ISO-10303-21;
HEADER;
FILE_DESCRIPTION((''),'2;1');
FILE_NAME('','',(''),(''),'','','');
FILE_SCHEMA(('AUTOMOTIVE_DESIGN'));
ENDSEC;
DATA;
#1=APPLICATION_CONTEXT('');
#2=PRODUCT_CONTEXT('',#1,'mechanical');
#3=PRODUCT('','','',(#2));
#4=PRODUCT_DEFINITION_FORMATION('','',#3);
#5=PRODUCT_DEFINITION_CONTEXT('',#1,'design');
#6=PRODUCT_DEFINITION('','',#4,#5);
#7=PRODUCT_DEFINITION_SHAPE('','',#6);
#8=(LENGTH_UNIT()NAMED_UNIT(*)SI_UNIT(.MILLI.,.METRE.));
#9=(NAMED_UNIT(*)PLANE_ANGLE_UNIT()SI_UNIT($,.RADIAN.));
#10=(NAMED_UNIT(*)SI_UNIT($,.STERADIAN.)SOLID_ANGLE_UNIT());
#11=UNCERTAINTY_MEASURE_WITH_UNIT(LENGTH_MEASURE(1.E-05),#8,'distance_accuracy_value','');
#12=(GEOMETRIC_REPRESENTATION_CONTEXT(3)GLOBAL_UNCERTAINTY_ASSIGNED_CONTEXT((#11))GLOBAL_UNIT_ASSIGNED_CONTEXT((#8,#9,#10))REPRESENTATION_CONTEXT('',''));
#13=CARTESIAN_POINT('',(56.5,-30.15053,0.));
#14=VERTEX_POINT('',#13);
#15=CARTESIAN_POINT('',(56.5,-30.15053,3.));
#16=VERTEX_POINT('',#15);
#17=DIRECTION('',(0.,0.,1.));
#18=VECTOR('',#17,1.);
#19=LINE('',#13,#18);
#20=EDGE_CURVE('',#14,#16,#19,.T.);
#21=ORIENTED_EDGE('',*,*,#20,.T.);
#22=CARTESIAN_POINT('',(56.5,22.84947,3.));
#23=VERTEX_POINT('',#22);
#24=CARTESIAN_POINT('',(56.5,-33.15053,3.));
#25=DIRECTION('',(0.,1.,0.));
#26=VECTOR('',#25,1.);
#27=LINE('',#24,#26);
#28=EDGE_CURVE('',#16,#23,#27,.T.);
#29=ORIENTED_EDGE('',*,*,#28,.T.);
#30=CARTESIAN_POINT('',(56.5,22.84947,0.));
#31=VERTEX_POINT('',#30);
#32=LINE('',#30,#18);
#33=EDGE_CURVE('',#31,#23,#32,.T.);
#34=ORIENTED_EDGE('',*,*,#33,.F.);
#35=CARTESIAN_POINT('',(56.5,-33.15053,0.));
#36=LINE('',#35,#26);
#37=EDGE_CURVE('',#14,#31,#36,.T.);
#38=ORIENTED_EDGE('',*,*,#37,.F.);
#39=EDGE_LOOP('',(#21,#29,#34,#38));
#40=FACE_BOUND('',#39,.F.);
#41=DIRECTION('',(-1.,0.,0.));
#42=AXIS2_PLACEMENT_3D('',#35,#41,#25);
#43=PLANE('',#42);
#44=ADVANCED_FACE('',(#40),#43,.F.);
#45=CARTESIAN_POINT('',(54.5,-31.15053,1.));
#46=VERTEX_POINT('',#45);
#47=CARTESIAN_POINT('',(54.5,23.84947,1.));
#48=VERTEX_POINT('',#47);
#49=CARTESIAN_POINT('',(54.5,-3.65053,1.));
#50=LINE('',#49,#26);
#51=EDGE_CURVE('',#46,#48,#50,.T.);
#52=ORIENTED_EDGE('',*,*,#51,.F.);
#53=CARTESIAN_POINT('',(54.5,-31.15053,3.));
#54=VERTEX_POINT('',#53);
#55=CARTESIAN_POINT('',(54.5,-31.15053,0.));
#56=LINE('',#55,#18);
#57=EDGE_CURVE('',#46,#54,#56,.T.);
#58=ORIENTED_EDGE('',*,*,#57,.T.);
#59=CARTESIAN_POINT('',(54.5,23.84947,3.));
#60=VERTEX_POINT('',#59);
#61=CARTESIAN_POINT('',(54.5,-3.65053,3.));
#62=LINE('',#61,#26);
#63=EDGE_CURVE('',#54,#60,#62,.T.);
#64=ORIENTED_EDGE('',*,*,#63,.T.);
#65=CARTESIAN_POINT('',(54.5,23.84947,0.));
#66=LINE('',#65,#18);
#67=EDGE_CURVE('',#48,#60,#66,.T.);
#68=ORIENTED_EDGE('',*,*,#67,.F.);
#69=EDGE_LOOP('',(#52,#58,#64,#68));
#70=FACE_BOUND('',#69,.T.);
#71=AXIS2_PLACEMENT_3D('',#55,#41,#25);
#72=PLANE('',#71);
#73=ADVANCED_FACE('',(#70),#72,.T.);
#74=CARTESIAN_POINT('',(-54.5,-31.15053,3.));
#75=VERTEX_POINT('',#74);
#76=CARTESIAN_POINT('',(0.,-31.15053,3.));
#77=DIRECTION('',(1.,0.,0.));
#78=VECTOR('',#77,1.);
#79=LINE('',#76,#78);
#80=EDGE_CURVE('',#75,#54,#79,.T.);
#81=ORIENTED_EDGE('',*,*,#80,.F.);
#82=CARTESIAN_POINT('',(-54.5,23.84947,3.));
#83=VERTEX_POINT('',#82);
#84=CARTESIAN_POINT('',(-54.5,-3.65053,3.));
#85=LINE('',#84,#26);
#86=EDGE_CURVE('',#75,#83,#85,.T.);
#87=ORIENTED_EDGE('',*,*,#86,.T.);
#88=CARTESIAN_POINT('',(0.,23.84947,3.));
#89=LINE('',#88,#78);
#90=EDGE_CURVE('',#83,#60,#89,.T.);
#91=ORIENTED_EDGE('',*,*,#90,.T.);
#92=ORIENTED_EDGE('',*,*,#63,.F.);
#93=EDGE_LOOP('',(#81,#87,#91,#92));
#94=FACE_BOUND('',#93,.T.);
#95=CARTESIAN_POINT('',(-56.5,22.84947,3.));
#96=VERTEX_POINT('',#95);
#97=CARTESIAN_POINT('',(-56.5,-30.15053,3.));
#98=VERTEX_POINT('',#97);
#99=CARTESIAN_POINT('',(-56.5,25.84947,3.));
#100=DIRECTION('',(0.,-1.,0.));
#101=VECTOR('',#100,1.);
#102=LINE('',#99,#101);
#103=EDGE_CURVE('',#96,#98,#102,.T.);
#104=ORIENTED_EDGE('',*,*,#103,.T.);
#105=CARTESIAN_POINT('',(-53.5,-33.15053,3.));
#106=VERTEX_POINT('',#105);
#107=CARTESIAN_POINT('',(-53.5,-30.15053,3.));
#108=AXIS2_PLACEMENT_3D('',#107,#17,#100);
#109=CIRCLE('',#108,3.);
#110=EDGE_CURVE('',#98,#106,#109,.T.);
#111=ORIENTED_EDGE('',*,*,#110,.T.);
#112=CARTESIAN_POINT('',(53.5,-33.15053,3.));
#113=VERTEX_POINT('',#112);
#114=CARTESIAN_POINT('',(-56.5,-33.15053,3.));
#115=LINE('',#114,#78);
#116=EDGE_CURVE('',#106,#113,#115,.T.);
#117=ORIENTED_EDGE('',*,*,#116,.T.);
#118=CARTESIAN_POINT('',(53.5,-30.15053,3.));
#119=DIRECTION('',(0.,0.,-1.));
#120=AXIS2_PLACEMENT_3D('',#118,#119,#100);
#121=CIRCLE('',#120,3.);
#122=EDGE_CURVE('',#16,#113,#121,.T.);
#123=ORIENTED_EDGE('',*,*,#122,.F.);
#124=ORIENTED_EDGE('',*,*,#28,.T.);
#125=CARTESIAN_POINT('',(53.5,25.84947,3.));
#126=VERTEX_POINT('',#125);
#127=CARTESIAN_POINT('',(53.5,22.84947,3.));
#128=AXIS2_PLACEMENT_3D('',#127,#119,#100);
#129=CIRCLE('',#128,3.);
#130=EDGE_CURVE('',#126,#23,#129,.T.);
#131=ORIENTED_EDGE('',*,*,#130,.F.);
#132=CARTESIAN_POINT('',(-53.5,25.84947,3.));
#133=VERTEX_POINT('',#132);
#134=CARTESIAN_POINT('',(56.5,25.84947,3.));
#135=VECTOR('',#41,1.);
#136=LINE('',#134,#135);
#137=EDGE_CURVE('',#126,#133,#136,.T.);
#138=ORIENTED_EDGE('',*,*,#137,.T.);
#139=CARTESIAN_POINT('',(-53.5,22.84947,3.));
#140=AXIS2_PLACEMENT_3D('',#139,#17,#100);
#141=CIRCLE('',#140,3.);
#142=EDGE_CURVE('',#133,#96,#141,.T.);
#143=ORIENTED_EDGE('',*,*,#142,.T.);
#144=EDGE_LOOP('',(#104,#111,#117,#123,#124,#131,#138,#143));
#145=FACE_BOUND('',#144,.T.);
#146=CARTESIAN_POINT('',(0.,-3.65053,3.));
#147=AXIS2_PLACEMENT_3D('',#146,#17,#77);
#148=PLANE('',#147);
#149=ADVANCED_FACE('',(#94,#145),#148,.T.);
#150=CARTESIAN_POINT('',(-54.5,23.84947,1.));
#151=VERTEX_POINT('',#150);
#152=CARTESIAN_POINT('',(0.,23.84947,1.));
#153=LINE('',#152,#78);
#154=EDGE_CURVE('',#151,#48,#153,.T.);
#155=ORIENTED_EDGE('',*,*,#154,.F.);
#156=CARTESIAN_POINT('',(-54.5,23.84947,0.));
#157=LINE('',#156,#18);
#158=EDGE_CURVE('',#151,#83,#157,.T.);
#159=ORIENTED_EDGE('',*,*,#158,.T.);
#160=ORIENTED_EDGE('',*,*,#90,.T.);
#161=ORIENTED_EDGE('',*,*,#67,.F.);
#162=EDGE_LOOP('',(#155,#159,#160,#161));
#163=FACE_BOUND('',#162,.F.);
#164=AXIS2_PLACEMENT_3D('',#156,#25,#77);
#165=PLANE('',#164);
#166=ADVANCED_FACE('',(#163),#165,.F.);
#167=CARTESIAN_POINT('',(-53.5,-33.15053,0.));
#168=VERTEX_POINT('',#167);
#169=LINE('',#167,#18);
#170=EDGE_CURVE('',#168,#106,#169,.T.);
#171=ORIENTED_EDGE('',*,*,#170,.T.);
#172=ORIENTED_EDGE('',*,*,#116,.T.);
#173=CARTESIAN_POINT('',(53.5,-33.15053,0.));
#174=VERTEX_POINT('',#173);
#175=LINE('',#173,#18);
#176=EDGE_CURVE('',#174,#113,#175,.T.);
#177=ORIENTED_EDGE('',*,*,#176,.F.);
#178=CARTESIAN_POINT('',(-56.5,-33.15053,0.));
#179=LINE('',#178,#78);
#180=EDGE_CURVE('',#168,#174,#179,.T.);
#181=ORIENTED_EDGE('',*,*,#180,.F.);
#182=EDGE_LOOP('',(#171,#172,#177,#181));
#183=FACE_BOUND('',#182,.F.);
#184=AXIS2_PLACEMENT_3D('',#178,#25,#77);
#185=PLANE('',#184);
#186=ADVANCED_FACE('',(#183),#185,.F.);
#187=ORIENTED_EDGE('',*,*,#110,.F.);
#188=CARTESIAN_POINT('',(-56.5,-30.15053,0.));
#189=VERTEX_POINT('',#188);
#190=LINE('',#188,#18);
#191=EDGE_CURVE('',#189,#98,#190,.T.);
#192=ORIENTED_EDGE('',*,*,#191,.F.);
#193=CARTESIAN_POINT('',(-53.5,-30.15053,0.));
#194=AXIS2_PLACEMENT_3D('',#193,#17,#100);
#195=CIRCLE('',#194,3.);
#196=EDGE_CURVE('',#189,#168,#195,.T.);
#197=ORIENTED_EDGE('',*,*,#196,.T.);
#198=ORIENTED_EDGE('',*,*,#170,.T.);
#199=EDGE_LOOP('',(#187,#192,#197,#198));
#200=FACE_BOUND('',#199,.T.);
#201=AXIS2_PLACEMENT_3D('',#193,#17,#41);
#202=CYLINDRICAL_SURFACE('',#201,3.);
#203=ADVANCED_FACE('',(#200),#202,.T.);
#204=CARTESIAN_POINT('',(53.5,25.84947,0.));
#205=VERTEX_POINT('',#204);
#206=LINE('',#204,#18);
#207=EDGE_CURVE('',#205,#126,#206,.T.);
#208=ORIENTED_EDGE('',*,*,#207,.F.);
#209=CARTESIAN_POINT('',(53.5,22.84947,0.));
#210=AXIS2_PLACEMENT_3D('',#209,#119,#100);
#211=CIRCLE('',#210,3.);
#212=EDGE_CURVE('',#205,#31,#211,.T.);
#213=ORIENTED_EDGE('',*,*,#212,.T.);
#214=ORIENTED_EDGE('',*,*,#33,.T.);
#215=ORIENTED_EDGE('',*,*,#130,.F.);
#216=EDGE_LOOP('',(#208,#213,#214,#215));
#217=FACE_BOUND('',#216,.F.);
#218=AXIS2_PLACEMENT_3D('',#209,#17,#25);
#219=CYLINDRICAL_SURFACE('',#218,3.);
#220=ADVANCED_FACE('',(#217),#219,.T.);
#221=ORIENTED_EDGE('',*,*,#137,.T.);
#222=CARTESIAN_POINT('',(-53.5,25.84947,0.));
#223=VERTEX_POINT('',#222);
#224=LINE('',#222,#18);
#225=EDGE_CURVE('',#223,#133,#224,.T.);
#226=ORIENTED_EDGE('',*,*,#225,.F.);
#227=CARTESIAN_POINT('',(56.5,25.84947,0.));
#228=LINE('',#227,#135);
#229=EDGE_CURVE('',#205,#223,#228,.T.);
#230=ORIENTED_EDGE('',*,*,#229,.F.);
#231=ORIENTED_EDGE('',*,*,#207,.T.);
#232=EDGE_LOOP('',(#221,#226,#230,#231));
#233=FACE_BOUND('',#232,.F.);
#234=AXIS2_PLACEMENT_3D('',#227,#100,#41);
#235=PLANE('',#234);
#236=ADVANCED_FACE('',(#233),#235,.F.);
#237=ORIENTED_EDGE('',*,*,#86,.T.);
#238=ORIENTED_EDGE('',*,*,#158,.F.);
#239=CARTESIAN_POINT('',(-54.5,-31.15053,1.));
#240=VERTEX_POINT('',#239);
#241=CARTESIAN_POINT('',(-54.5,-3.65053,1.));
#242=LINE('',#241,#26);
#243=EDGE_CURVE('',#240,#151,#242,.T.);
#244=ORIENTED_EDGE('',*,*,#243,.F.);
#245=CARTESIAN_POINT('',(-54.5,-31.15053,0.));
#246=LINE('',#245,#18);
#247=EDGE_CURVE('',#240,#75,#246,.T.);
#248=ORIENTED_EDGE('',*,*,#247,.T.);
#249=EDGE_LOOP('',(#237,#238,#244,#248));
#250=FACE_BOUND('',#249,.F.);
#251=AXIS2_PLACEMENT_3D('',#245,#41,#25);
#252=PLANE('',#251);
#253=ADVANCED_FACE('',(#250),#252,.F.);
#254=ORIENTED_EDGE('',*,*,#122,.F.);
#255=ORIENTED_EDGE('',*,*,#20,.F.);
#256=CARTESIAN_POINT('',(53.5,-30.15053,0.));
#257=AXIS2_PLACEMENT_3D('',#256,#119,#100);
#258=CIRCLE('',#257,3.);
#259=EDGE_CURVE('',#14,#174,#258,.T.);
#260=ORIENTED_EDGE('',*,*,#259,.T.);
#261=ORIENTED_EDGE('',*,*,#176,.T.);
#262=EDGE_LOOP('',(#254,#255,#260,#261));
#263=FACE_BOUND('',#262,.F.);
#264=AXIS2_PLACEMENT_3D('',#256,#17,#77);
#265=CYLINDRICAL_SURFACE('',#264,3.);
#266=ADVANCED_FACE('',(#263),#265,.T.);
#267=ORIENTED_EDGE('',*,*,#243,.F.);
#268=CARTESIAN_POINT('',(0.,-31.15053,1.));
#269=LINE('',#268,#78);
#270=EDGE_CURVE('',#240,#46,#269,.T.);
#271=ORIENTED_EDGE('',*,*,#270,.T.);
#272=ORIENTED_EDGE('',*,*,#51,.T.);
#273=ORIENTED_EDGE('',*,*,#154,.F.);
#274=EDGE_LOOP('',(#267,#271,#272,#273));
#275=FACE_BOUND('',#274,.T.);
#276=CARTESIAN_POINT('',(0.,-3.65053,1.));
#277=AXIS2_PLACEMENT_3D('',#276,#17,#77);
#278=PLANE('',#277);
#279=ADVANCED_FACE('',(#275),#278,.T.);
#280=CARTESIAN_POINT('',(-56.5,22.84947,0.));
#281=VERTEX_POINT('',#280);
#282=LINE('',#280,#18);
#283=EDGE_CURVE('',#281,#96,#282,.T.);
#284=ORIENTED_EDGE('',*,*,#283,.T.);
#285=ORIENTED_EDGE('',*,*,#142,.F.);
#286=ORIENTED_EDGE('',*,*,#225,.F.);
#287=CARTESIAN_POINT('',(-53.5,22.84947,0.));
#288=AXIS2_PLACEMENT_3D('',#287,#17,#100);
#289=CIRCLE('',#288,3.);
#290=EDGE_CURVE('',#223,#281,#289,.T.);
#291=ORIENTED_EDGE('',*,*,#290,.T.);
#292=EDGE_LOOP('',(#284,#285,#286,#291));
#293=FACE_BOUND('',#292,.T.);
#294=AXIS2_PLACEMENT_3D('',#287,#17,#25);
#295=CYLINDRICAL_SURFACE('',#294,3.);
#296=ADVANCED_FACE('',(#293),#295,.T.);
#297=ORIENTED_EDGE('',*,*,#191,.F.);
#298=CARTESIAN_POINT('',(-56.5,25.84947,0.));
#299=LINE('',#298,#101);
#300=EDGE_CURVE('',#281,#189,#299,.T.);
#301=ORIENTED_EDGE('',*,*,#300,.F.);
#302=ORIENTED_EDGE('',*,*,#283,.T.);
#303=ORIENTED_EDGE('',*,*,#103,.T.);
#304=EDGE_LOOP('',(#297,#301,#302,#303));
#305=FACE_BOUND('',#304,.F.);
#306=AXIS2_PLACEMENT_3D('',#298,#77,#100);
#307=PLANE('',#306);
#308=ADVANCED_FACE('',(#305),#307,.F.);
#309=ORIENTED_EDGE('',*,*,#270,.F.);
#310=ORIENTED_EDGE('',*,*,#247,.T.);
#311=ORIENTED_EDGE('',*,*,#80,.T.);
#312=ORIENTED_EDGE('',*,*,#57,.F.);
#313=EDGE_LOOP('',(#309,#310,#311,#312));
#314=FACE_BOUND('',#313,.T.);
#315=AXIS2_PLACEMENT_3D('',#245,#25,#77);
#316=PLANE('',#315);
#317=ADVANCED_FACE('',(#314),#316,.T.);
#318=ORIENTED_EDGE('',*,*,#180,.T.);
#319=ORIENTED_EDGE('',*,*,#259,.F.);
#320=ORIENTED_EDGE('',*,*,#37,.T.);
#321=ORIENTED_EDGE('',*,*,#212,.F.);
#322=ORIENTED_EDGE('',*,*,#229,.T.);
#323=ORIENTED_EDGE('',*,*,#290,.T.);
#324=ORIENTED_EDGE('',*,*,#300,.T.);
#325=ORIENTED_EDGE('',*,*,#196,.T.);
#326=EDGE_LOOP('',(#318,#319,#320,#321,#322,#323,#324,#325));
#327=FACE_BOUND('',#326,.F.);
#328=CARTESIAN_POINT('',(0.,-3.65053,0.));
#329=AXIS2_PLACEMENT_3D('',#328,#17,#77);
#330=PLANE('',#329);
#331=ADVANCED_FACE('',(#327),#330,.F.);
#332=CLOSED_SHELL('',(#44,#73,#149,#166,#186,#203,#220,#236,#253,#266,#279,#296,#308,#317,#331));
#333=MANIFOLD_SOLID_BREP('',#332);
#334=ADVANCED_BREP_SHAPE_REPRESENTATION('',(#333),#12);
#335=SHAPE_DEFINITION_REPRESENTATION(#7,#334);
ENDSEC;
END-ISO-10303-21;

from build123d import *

# Parameters (mm, degrees)
F0_W     = 109
F0_H     = 55
F1_DEPTH = 1
F2_DEPTH = 3
F3_R     = 3


with BuildPart() as f1:
    # F0 (on Top) → F1 (new body)
    with BuildSketch(Plane.XY):
        with Locations((0, -3.65053)):
            Rectangle(F0_W, F0_H)
    extrude(amount=F1_DEPTH)

    # F0 (on Top) → F2 (join)
    with BuildSketch(Plane.XY):
        Polygon((56.5, 25.84947), (-56.5, 25.84947), (-56.5, -33.15053), (-11, -33.15053), (-10, -33.15053), (10, -33.15053), (11, -33.15053), (56.5, -33.15053), align=None)
        with Locations((0, -3.65053)):
            Rectangle(F0_W, F0_H, mode=Mode.SUBTRACT)
    extrude(amount=F2_DEPTH)

    # F3
    f3_edges = [f1.edges().sort_by_distance(p)[0] for p in [
        (-56.5, 25.84947, 1.5),
        (-56.5, -33.15053, 1.5),
        (56.5, -33.15053, 1.5),
        (56.5, 25.84947, 1.5),
    ]]
    fillet(f3_edges, radius=F3_R)


solid = f1.part
